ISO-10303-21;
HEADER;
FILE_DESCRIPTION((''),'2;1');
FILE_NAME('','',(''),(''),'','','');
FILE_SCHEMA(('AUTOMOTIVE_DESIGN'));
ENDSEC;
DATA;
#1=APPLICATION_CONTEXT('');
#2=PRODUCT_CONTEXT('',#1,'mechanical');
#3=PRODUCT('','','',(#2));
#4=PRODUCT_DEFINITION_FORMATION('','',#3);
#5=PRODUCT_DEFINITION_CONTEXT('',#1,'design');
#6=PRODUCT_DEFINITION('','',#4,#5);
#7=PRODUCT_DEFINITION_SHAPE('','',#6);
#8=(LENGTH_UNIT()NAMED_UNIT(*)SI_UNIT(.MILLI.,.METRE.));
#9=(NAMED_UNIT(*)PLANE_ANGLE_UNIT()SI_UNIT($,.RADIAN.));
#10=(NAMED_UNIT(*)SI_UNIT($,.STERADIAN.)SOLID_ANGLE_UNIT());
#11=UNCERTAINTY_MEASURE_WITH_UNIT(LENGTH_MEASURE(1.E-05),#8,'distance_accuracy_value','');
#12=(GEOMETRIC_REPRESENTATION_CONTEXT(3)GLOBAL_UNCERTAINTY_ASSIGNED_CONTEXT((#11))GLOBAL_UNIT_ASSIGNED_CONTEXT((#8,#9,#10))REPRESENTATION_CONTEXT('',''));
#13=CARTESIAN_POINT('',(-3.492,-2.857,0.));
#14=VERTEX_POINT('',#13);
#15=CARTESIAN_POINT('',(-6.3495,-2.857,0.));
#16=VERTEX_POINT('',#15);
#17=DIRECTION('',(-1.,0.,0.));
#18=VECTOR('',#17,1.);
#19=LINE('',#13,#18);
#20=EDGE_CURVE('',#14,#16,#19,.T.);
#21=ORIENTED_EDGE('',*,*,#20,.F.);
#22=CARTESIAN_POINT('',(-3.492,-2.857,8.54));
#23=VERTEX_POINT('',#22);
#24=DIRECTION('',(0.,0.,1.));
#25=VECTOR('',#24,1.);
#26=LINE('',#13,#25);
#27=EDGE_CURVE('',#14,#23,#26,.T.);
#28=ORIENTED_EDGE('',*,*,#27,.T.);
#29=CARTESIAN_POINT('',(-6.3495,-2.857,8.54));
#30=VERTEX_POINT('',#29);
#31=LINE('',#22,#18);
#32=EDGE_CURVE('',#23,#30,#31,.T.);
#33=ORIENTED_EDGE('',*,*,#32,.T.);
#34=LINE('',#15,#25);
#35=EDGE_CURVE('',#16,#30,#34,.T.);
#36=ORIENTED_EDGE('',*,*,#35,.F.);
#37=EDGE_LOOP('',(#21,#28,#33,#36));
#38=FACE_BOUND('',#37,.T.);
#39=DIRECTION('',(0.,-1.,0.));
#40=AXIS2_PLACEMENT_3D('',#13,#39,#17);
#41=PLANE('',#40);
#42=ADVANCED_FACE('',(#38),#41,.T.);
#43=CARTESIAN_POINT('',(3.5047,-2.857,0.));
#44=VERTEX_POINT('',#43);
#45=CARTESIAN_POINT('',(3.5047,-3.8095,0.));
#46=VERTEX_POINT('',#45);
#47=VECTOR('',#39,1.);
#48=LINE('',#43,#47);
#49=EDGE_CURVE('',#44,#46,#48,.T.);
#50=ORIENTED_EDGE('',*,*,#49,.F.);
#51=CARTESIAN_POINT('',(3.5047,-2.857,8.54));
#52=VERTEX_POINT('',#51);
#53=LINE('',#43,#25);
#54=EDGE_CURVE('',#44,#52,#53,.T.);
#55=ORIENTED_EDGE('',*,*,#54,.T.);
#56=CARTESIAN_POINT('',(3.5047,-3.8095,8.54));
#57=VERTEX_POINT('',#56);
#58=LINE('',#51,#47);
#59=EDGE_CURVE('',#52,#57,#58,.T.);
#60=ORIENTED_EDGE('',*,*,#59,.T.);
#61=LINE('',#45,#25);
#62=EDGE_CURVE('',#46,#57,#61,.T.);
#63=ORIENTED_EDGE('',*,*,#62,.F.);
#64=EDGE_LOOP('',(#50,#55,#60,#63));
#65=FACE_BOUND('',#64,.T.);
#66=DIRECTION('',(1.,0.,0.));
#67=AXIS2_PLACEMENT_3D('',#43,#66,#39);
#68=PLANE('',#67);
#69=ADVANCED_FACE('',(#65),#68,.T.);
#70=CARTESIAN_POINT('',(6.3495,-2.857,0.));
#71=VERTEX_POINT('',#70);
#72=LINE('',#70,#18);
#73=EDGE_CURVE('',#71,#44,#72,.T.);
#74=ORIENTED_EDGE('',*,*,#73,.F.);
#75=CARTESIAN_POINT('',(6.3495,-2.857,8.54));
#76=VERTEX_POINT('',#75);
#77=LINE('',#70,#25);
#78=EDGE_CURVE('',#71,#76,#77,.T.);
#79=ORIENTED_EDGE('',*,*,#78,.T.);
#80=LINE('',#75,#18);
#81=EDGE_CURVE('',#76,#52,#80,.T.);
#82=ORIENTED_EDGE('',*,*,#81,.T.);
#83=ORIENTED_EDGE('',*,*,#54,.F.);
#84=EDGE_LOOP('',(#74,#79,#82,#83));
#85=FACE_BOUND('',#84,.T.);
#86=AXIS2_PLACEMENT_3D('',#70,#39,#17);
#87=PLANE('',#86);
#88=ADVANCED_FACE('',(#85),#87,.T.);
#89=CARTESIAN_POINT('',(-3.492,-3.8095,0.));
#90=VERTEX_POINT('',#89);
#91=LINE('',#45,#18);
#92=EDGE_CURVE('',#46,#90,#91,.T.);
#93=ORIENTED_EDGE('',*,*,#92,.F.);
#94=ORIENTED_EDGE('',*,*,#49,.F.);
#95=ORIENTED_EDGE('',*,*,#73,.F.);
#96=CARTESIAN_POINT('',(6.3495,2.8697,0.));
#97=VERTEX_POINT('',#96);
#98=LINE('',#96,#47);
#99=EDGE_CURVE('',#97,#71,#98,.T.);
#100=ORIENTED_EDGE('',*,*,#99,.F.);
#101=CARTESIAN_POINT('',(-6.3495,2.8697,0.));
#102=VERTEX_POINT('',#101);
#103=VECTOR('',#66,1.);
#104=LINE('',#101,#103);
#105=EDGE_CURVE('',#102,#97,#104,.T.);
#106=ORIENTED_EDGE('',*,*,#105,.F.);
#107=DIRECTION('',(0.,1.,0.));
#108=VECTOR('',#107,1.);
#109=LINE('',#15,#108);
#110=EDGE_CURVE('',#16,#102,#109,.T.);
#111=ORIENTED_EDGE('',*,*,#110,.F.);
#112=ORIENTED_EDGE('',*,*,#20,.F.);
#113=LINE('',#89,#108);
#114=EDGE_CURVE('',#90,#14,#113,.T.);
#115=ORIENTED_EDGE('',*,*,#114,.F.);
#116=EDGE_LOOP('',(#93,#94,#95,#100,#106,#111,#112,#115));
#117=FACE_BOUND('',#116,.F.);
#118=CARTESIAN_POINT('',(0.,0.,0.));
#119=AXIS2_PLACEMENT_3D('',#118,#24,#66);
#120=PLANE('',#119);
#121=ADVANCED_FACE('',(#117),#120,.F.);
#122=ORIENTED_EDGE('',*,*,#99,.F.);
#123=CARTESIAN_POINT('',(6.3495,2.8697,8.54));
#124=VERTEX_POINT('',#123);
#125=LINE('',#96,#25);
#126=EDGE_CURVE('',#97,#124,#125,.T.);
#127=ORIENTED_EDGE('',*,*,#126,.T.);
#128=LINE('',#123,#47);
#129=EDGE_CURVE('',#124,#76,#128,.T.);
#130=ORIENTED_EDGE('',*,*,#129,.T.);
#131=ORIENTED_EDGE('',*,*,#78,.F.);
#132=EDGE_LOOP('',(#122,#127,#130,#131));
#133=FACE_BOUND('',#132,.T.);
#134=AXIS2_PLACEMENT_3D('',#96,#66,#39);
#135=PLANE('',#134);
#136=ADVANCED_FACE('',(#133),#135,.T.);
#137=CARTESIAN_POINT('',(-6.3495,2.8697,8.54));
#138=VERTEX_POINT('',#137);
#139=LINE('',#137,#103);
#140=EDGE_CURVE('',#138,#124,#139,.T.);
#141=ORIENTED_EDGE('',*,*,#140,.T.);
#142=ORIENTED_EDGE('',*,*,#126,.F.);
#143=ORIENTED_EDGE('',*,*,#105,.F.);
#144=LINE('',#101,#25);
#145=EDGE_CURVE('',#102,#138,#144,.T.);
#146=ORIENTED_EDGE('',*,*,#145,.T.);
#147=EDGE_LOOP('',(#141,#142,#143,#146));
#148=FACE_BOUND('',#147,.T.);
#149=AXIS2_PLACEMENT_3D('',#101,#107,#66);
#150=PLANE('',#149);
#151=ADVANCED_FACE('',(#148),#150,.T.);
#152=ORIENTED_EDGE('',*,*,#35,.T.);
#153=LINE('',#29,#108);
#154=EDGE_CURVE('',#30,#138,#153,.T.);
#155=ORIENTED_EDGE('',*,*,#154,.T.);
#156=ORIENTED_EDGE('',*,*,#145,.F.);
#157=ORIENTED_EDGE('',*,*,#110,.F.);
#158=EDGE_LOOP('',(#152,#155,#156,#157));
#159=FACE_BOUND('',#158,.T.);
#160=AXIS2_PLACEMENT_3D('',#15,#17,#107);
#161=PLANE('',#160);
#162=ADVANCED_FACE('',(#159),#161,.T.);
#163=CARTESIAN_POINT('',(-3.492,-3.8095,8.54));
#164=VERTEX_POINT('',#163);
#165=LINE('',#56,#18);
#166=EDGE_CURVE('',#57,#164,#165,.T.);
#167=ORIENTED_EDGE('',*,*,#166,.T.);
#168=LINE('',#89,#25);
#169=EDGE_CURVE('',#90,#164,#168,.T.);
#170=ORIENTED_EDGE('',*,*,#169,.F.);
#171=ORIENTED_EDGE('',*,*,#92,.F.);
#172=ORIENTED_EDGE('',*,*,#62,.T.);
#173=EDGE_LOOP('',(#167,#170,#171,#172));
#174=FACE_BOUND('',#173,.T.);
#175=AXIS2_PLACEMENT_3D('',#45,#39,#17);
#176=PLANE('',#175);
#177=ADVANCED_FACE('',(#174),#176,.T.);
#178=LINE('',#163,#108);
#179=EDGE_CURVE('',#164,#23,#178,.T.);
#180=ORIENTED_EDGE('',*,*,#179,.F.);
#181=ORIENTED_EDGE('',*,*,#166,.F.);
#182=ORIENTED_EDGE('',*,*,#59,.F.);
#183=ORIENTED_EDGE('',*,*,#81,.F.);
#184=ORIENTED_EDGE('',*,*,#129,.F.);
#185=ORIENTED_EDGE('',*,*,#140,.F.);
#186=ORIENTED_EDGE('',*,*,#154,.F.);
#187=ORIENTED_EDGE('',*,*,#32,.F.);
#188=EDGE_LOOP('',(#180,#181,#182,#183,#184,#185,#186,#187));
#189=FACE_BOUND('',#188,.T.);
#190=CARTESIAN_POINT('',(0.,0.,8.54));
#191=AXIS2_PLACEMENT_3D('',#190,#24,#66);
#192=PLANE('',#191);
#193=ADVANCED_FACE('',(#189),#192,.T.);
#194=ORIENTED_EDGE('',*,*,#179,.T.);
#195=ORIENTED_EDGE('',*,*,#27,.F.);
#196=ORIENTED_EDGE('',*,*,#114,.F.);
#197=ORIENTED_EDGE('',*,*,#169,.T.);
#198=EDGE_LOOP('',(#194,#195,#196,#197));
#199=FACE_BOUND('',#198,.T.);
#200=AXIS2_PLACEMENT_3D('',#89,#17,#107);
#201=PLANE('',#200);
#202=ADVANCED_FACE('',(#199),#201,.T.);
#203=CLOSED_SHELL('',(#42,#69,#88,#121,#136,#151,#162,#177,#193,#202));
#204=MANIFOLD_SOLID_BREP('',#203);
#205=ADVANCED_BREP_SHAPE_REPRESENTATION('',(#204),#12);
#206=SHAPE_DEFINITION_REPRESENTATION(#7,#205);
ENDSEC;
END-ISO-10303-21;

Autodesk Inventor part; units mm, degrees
ref_plane "YZ Plane" through (0, 0, 0) normal (1, 0, 0) x (0, 1, 0)
ref_plane "XZ Plane" through (0, 0, 0) normal (0, 1, 0) x (-1, 0, 0)
ref_plane "XY Plane" through (0, 0, 0) normal (0, 0, 1) x (1, 0, 0)
sketch "4POL254 NOPOL, MPT4_183" plane through (0, 0, 0) normal (0, 0, 1) x (1, 0, 0)
  line L0 (-3.492, -2.857) -> (-6.3495, -2.857)
  line L1 (-6.3495, -2.857) -> (-6.3495, 2.8697)
  line L2 (-6.3495, 2.8697) -> (6.3495, 2.8697)
  line L3 (6.3495, 2.8697) -> (6.3495, -2.857)
  line L4 (6.3495, -2.857) -> (3.5047, -2.857)
  line L5 (3.5047, -2.857) -> (3.5047, -3.8095)
  line L6 (3.5047, -3.8095) -> (-3.492, -3.8095)
  line L7 (-3.492, -3.8095) -> (-3.492, -2.857)
extrude "Extrusion1" add sketch "4POL254 NOPOL, MPT4_183" along normal blind 8.54
properties part number "MPT4"
